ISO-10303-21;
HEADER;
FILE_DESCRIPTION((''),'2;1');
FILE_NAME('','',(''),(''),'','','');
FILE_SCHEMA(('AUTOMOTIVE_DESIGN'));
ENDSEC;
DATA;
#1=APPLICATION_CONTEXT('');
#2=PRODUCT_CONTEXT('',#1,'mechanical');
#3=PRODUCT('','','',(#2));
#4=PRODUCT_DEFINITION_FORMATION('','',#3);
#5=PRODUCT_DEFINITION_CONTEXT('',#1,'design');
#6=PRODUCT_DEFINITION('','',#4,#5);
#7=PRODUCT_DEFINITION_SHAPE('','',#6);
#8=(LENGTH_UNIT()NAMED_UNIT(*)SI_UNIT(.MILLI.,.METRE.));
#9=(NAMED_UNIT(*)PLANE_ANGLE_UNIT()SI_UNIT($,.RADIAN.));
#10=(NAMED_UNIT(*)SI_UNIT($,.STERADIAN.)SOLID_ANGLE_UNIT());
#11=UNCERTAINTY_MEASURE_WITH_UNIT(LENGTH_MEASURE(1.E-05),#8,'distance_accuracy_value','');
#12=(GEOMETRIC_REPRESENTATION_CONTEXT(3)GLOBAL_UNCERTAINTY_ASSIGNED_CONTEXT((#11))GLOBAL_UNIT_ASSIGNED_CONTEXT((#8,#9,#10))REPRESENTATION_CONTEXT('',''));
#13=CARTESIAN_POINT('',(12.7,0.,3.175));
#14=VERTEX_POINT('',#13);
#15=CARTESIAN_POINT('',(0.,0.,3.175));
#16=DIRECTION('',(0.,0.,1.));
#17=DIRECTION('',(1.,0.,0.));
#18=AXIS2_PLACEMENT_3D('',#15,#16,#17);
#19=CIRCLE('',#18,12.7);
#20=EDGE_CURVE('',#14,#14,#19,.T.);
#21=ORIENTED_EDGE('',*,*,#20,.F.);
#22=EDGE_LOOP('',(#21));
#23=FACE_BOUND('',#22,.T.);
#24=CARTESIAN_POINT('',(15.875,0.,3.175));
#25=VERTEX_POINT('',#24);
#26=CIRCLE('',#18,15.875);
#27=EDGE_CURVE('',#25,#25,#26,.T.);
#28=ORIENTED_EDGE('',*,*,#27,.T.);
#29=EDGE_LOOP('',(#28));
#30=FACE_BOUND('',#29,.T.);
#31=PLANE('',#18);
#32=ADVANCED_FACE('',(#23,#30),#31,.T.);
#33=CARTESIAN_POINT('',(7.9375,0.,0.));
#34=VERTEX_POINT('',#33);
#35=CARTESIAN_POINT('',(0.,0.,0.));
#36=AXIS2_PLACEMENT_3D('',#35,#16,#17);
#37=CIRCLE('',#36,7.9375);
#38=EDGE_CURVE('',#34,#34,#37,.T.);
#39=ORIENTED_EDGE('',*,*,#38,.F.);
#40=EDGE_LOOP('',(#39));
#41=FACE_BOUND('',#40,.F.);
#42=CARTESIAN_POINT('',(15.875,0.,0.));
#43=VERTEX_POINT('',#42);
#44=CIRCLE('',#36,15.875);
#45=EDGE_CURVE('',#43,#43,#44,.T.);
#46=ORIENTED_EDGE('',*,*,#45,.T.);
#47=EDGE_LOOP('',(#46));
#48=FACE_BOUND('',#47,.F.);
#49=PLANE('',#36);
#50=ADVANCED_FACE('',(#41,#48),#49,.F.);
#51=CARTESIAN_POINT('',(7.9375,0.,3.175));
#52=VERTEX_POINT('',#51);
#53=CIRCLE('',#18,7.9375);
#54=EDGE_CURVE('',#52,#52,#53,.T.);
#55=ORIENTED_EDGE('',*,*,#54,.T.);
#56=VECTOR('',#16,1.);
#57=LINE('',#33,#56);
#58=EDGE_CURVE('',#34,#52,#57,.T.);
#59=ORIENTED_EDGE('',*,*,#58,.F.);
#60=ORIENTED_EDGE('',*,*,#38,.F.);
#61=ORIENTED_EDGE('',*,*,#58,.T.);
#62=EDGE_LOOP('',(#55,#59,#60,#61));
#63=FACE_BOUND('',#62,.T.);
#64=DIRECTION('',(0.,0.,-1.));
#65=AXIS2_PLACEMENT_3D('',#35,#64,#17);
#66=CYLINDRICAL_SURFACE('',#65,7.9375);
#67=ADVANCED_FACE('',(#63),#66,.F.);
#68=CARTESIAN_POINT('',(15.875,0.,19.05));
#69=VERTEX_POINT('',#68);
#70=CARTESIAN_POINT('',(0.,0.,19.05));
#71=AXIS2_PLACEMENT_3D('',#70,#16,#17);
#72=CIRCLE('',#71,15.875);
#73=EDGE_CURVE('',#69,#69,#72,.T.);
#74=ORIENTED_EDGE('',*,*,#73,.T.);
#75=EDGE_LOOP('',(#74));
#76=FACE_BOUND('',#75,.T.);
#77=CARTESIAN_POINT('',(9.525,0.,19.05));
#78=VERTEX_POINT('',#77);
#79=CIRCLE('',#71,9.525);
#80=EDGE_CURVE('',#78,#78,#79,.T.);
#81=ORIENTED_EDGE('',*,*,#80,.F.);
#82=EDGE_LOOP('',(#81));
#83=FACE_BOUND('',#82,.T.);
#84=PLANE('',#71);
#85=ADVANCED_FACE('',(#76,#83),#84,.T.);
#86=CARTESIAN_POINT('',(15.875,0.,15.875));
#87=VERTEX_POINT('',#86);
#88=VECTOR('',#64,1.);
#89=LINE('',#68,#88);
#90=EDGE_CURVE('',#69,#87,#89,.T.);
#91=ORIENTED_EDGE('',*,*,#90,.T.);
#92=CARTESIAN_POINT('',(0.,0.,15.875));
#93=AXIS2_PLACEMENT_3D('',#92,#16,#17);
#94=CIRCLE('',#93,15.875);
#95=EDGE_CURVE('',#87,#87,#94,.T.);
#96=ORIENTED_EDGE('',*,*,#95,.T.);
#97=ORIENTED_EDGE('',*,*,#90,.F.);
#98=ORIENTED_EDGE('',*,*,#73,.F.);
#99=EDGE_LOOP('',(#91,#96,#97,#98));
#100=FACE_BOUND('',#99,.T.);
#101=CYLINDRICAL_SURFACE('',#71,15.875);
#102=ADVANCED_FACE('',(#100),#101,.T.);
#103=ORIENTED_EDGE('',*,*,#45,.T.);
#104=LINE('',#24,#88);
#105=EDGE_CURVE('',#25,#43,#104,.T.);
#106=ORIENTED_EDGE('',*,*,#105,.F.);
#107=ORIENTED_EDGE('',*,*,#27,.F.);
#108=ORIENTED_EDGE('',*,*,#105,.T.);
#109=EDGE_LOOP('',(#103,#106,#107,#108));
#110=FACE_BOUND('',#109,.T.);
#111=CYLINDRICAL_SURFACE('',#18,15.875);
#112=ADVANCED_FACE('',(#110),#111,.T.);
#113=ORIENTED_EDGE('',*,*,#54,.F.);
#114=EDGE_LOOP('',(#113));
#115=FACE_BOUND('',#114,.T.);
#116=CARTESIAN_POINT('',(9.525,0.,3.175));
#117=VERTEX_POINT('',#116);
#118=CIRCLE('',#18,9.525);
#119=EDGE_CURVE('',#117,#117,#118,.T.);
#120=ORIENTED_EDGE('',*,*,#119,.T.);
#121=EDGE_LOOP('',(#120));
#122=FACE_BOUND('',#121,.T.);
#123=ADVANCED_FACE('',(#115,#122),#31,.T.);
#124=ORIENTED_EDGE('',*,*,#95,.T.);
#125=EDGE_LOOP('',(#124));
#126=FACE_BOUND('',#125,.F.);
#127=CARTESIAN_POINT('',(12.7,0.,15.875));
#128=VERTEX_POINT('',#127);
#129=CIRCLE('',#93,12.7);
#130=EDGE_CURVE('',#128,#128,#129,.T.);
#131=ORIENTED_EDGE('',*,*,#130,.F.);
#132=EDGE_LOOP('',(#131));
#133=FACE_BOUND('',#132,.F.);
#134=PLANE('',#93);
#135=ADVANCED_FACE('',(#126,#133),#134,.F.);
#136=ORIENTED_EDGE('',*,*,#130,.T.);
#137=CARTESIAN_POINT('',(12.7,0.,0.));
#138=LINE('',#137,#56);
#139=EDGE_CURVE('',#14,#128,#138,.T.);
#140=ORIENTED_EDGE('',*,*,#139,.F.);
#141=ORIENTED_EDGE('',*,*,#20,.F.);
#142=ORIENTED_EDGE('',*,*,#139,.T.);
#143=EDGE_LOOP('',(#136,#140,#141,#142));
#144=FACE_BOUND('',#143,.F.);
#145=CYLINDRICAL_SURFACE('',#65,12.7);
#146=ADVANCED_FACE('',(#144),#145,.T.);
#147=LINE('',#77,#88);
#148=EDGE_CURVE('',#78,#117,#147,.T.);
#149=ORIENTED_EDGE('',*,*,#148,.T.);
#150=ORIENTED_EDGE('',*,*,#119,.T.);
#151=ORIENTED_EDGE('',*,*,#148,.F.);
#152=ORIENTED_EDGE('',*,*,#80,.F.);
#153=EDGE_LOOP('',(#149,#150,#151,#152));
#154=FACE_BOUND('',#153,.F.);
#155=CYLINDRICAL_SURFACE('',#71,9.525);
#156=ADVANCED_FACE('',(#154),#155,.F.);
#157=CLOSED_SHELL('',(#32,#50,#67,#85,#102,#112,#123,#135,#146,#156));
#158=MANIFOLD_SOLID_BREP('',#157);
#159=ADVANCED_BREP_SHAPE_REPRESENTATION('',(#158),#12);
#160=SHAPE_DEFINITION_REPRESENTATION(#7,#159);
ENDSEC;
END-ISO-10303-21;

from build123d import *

# Parameters (mm, degrees)
F0_R     = 12.7
F0_R_2   = 7.9375
F1_DEPTH = 19.05
F2_R     = 9.525
F2_R_2   = 7.9375
F3_DEPTH = 15.875
F4_R     = 15.875
F4_R_2   = 12.7
F5_DEPTH = 3.175
F6_R     = 15.875
F6_R_2   = 12.7
F7_DEPTH = 3.175


with BuildPart() as f1:
    # F0 (on Top) → F1 (new body)
    with BuildSketch(Plane.XY):
        Circle(F0_R)
        Circle(F0_R_2, mode=Mode.SUBTRACT)
    extrude(amount=F1_DEPTH)

    # F2 (on face) → F3 (cut)
    with BuildSketch(Plane.XY.offset(19.05)):
        Circle(F2_R)
        Circle(F2_R_2, mode=Mode.SUBTRACT)
    extrude(amount=-F3_DEPTH, mode=Mode.SUBTRACT)

    # F4 (on face) → F5 (join)
    with BuildSketch(Plane.XY.offset(3.175)):
        Circle(F4_R)
        Circle(F4_R_2, mode=Mode.SUBTRACT)
    extrude(amount=-F5_DEPTH)

    # F6 (on face) → F7 (join)
    with BuildSketch(Plane.XY.offset(19.05)):
        Circle(F6_R)
        Circle(F6_R_2, mode=Mode.SUBTRACT)
    extrude(amount=-F7_DEPTH)


solid = f1.part
